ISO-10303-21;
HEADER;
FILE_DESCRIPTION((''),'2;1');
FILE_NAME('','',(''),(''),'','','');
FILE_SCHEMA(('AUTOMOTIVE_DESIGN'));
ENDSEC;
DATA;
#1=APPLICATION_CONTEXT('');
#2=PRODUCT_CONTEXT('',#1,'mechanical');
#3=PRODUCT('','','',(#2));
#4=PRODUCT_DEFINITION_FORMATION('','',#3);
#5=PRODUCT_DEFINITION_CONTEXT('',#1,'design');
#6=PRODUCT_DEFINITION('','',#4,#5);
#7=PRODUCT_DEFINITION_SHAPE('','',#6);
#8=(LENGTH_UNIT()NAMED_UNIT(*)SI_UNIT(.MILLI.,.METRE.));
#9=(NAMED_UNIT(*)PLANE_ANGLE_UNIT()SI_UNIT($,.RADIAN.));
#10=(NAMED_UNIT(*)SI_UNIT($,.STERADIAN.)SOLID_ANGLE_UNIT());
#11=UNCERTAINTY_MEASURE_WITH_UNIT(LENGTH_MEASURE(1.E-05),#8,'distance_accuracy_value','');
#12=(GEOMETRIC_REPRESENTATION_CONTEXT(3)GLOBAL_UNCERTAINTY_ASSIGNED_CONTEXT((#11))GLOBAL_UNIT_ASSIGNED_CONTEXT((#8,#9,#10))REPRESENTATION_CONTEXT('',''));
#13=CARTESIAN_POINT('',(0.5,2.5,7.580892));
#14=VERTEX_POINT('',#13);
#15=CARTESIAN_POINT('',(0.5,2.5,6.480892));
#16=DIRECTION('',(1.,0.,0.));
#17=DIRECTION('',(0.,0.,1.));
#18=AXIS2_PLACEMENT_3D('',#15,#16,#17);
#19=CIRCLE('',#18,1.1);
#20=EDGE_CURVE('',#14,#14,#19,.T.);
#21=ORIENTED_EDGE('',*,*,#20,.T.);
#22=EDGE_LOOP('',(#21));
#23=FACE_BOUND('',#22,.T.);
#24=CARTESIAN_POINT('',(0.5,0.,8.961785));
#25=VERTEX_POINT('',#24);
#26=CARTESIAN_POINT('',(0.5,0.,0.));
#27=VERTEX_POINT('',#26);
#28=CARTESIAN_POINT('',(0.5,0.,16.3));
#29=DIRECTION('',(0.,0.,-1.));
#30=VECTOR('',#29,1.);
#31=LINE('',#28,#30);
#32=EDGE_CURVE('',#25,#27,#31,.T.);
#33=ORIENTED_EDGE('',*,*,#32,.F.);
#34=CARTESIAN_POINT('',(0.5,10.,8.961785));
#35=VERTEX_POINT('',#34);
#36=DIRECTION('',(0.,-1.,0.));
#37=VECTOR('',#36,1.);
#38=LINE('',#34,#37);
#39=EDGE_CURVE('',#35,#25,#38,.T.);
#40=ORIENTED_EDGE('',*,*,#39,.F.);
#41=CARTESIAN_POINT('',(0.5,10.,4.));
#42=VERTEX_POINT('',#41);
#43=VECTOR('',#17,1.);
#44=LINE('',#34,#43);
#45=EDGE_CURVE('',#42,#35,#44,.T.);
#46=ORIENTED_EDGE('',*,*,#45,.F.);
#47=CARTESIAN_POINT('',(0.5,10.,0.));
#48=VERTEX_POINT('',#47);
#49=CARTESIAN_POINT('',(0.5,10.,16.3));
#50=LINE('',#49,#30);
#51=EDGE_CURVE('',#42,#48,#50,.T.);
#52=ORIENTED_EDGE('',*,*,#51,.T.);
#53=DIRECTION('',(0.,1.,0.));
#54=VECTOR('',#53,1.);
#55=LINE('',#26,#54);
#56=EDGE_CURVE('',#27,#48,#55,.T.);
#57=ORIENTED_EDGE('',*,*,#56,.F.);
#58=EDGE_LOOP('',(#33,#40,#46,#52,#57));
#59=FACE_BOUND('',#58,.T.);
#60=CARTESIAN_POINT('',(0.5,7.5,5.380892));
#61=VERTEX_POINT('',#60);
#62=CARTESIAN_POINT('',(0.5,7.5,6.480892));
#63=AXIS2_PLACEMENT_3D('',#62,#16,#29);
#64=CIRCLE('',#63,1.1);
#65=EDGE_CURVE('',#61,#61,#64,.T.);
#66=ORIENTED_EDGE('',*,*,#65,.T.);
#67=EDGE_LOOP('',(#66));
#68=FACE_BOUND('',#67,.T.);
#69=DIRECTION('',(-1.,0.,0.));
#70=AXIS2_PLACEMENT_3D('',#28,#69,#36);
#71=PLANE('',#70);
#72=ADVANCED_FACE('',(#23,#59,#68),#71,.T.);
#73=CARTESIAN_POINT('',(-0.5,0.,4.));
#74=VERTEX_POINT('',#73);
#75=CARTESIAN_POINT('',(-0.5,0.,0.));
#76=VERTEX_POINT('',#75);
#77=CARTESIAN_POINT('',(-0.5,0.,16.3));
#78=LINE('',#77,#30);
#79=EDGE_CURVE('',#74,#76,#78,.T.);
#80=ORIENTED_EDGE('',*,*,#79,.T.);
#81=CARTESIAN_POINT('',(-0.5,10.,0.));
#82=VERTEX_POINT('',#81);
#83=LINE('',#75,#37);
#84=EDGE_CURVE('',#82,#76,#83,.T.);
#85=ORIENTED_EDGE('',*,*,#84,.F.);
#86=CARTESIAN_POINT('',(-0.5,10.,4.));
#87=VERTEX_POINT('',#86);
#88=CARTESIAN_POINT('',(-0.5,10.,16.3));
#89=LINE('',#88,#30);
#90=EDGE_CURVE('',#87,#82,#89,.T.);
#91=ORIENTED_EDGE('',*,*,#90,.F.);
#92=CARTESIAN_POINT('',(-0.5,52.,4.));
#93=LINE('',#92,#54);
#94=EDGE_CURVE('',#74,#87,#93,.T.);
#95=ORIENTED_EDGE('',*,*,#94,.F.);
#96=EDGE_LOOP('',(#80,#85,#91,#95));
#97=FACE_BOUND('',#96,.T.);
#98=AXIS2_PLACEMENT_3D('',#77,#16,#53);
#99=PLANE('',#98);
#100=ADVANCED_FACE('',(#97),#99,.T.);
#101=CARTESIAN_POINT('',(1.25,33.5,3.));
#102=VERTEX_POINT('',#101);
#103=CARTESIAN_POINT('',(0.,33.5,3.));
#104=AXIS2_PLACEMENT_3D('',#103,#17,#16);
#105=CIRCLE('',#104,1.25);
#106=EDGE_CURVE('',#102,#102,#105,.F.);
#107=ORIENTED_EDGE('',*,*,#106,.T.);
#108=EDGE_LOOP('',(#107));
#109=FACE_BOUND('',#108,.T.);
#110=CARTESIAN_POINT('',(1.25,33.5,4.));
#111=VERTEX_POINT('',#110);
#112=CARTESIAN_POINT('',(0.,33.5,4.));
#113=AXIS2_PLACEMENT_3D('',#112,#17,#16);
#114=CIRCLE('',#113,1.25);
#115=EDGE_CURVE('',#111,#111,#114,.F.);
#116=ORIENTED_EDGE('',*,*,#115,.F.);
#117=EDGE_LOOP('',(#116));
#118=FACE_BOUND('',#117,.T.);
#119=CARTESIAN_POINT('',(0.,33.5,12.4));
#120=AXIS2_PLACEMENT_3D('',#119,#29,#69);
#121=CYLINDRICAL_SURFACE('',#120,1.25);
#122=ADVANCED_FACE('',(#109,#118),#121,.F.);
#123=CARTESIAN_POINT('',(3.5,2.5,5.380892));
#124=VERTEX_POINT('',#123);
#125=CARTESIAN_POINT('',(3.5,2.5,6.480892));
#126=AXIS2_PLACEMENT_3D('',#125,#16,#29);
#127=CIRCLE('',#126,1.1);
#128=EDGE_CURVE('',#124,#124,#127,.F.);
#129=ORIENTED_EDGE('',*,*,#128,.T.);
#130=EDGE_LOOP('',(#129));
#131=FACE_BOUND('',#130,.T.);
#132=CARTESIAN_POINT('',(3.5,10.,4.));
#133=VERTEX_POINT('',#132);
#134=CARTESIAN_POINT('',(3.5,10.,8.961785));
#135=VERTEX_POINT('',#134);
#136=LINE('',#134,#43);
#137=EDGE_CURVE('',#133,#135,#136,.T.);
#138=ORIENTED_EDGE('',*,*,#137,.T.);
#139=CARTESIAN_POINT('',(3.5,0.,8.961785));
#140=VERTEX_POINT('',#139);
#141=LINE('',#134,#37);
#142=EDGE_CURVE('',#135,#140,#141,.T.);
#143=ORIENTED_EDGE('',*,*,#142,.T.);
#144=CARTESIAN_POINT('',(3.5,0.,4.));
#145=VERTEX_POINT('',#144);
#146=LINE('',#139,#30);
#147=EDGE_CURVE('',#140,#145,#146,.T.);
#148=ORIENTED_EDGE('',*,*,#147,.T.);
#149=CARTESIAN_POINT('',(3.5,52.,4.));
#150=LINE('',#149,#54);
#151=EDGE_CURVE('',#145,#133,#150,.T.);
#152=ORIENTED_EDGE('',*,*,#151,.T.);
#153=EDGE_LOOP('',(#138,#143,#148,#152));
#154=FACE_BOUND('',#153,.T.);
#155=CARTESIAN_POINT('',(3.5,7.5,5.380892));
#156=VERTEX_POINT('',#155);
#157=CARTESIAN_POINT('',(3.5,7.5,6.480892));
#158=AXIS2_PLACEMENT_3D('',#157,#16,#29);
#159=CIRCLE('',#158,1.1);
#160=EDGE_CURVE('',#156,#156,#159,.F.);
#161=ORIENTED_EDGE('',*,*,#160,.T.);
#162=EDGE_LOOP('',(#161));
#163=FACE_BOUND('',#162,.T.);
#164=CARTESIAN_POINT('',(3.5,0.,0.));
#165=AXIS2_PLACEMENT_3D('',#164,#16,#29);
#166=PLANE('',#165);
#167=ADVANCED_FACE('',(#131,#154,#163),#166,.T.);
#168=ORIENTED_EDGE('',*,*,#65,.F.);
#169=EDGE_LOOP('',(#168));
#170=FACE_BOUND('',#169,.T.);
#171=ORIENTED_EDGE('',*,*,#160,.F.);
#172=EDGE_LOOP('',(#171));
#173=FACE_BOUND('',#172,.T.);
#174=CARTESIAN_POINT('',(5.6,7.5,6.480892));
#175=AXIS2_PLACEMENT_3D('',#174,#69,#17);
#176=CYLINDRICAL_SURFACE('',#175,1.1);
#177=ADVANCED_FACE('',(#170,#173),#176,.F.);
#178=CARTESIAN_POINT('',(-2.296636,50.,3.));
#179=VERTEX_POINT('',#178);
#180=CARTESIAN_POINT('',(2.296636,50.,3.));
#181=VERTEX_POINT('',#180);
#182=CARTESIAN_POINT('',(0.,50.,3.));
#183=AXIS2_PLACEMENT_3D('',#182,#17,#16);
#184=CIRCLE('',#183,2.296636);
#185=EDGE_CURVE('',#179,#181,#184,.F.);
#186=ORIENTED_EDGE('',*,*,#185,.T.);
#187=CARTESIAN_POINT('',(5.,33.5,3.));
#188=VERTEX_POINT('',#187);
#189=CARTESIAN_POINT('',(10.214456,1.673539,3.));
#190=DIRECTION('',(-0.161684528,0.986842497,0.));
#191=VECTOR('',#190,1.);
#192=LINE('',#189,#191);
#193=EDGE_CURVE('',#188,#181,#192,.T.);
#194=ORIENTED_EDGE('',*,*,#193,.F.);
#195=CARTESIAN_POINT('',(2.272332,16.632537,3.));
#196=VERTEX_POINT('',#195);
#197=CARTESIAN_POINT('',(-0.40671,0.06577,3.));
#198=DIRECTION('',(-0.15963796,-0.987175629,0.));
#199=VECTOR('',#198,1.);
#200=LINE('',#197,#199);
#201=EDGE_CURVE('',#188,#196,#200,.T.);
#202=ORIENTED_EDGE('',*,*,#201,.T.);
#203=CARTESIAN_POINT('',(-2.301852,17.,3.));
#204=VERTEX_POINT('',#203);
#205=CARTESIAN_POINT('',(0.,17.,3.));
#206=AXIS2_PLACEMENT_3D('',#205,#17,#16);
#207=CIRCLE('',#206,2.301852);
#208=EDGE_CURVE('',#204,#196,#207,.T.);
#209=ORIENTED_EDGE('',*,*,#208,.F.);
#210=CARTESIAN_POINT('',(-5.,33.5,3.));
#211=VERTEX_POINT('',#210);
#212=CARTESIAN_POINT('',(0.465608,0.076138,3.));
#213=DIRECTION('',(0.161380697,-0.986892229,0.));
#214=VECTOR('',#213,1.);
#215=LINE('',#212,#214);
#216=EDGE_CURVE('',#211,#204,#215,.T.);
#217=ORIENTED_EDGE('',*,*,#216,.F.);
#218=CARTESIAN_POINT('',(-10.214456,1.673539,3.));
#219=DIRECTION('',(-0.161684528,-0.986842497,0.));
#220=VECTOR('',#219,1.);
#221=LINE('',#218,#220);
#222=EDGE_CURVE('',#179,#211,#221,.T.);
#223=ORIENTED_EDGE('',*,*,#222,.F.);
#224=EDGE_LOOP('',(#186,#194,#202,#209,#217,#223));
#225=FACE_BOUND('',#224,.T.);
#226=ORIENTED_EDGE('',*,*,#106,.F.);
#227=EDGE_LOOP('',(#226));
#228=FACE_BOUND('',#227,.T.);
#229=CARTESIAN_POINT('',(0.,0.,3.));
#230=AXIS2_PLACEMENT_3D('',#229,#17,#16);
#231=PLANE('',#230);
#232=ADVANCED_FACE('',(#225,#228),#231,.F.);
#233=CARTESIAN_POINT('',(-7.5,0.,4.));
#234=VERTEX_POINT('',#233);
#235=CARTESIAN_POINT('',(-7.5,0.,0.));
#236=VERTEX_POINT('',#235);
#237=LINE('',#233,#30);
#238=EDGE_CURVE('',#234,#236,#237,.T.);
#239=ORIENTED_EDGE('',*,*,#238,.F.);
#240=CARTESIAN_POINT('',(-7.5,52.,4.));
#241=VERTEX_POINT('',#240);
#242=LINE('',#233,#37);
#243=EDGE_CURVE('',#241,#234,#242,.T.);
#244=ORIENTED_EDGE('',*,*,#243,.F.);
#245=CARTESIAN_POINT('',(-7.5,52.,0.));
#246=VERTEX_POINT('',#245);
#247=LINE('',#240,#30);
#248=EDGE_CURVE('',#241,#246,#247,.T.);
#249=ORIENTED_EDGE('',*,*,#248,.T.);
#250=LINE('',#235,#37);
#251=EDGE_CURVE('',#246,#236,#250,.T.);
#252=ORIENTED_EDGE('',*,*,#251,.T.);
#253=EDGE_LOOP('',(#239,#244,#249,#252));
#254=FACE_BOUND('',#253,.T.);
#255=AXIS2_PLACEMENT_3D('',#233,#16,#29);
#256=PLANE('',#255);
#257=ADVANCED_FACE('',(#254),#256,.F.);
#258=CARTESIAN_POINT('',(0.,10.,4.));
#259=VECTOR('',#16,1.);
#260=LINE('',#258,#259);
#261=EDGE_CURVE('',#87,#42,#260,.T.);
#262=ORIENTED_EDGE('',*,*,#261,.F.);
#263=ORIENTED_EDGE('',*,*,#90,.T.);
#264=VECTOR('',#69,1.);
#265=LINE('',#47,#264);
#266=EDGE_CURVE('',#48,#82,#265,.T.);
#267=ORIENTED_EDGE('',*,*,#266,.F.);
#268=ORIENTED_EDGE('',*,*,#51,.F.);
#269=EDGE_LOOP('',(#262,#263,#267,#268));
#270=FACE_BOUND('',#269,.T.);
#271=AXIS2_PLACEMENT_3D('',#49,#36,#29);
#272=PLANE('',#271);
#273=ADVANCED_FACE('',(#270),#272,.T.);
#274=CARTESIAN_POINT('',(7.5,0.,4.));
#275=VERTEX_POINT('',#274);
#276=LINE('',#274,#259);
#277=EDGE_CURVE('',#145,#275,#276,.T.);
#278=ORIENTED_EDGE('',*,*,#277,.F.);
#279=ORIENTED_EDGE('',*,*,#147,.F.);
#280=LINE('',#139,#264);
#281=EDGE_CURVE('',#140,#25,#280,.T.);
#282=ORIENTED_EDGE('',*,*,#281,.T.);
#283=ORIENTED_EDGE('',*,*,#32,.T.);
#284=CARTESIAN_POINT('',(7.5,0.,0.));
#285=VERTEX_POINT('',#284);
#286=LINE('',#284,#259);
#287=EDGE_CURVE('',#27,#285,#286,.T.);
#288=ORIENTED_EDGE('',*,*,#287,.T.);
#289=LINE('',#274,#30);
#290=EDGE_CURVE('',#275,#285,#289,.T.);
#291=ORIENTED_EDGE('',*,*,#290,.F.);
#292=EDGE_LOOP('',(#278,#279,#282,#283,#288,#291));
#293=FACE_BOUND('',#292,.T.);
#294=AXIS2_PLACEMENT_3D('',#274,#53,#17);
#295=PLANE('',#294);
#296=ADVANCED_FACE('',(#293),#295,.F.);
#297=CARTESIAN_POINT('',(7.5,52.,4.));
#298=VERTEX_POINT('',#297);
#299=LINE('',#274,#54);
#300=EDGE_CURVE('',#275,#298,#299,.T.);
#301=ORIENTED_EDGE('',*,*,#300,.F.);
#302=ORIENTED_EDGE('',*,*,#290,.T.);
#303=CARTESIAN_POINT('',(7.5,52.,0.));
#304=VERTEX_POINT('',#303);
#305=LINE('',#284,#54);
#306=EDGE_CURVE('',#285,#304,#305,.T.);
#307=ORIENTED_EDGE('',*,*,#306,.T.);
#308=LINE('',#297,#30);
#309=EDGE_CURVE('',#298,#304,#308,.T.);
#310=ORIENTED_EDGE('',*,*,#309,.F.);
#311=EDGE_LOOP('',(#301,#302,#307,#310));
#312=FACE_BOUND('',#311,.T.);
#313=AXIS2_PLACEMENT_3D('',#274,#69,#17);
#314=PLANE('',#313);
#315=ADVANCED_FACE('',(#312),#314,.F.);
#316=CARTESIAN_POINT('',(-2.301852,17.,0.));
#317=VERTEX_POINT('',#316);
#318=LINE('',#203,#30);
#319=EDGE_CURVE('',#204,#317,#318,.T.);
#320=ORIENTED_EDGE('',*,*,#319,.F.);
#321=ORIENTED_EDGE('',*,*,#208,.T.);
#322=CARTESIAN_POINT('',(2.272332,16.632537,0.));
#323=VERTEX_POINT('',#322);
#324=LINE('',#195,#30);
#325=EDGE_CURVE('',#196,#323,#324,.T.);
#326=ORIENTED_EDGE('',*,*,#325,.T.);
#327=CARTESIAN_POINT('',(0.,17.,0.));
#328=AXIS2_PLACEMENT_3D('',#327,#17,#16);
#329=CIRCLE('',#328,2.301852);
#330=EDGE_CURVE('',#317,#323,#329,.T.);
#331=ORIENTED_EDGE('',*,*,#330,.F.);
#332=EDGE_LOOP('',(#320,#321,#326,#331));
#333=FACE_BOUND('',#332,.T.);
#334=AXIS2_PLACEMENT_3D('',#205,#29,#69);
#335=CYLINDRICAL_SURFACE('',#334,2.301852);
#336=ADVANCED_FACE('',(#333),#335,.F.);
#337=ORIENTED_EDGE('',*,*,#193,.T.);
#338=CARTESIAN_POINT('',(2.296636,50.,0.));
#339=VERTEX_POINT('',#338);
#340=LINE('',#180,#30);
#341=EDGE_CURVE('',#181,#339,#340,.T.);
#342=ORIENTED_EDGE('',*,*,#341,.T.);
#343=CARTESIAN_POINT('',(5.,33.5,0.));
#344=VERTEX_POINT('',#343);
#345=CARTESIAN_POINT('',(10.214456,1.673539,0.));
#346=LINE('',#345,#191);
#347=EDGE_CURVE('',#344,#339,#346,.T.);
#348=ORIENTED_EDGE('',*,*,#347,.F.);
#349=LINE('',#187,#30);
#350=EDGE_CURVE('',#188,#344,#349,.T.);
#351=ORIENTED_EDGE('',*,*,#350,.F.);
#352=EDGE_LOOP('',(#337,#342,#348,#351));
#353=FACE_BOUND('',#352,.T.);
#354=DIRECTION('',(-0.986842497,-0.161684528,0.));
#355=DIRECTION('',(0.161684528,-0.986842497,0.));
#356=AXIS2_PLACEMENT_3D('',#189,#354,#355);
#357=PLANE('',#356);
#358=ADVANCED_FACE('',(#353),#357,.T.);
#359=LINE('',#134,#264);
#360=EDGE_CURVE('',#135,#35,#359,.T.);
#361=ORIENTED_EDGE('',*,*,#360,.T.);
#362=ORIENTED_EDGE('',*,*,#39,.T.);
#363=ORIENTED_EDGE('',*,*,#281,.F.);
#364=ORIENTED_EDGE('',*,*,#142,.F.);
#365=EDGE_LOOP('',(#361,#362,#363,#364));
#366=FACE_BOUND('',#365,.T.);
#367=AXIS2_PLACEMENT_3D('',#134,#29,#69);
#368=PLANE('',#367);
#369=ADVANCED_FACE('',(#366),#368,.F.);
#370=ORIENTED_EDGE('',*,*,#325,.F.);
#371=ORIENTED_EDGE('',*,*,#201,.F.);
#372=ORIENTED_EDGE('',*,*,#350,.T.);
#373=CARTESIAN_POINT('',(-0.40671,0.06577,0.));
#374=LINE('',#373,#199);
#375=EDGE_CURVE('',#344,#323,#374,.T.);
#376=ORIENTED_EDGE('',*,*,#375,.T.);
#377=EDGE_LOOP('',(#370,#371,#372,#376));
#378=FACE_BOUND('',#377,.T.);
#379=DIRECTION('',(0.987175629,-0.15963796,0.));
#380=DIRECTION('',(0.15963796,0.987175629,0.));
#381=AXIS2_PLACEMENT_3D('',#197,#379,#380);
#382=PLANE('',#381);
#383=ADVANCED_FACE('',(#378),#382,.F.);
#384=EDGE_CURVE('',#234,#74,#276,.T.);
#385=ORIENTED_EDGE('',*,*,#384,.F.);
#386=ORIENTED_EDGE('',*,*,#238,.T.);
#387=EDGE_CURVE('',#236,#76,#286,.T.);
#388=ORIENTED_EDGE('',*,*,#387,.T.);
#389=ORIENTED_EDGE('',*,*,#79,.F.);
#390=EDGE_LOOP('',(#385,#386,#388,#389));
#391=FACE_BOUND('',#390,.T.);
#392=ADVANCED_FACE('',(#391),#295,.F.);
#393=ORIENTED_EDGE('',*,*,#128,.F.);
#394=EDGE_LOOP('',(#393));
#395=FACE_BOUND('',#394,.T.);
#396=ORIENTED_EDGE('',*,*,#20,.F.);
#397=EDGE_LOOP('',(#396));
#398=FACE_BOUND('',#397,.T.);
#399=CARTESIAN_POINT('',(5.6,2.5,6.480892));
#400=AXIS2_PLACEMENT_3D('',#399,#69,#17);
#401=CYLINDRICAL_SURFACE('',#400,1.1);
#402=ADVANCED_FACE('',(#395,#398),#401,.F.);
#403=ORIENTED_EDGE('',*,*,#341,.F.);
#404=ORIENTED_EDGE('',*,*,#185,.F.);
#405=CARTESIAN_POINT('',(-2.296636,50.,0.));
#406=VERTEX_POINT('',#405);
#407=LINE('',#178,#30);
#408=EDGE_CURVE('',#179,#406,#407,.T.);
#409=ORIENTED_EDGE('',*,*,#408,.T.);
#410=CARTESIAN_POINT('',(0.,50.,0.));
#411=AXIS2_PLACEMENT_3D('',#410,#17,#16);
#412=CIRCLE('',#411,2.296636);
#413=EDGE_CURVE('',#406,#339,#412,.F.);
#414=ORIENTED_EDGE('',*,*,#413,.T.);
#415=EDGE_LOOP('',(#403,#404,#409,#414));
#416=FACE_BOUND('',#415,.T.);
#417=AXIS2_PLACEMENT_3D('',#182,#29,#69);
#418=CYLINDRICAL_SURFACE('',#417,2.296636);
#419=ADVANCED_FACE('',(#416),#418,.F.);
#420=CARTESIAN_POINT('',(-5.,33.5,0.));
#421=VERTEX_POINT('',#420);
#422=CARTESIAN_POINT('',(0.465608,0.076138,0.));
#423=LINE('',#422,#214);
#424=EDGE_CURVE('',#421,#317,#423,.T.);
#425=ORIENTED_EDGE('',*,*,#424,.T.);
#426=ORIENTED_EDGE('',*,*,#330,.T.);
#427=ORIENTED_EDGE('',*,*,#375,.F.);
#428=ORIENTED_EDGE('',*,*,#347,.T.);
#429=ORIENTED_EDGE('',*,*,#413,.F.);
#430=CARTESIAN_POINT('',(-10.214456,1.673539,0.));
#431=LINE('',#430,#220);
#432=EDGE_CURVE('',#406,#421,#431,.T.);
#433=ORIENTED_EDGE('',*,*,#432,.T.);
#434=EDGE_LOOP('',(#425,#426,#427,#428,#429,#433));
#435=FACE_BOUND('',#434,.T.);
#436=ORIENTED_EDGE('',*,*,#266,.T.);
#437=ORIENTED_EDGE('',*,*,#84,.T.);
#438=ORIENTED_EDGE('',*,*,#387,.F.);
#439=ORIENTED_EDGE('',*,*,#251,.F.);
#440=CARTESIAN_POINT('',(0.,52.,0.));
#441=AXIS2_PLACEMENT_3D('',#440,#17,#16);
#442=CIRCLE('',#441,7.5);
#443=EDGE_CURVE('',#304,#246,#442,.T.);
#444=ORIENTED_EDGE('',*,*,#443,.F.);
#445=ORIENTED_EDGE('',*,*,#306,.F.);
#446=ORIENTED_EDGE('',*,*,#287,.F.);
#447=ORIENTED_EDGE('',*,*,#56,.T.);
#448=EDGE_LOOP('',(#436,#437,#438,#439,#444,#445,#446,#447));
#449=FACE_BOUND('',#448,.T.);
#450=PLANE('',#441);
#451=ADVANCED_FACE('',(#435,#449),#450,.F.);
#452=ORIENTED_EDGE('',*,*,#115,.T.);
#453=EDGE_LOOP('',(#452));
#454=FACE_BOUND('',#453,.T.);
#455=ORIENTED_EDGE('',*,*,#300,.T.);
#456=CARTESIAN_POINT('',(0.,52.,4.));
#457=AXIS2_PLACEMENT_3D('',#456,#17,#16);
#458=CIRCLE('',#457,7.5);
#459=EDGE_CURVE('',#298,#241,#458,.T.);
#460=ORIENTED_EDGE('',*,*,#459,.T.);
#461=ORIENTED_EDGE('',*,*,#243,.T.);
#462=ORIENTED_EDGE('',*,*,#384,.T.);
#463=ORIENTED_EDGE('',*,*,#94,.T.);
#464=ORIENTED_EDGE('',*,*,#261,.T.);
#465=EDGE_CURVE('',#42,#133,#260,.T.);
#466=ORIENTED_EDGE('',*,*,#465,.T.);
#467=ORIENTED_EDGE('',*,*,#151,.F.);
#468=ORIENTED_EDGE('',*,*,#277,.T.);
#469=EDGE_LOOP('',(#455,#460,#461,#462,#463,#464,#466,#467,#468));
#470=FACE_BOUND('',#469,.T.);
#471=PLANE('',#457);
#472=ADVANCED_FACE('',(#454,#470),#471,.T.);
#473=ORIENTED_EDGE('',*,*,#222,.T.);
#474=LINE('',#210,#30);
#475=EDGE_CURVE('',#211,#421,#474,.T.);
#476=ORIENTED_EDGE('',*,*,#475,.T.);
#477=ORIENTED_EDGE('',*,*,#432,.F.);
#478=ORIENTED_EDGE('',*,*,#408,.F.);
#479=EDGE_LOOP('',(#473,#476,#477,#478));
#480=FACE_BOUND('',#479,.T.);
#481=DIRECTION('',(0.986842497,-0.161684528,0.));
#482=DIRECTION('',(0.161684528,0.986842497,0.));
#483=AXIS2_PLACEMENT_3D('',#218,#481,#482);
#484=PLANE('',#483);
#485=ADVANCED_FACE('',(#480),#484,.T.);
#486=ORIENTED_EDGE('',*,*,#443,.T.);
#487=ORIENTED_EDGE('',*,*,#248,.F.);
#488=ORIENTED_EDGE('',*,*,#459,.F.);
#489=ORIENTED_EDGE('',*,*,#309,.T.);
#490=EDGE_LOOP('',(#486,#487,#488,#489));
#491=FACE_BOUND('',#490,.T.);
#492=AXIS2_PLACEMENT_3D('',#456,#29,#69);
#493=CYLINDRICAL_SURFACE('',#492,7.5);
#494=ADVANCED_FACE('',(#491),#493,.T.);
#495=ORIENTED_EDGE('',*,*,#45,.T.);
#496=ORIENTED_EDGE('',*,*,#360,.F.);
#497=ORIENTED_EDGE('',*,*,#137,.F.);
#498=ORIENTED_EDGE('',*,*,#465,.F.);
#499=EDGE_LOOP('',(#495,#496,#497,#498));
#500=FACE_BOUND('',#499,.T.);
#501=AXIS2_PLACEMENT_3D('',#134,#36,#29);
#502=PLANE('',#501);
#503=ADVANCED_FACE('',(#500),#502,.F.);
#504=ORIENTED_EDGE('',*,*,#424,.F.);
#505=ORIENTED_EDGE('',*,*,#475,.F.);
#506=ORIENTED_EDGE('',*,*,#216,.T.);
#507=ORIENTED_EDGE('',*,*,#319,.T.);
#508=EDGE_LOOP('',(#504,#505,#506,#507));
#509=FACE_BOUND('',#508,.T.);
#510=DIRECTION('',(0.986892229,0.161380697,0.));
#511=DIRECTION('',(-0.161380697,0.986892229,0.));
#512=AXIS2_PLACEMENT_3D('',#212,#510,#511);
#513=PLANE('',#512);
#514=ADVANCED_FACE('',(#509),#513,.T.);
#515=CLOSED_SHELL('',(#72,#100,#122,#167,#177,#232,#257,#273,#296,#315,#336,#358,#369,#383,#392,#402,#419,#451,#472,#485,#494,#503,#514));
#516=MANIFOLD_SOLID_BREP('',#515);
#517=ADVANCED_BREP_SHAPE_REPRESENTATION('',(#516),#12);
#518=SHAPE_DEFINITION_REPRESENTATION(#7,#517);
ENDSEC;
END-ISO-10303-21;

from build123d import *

# Parameters (mm, degrees)
EXTRUDE_1_DEPTH     = 4
CUT_EXTRUDE_1_DEPTH = 3
SKETCH_5_R          = 1.25
CUT_EXTRUDE_2_DEPTH = 12.4
SKETCH_6_W          = 1
SKETCH_6_H          = 10
CUT_EXTRUDE_3_DEPTH = 16.3
SKETCH_9_W          = 5
SKETCH_9_H          = 10
EXTRUDE_4_DEPTH     = 3
SKETCH_10_R         = 1.1
CUT_EXTRUDE_4_DEPTH = 5.1


with BuildPart() as part:
    # 草圖1 → 填料-伸長1 (new body)
    with BuildSketch(Plane.XY):
        with BuildLine():
            Line((7.5, 0), (7.5, 52))
            ThreePointArc((7.5, 52), (0, 59.5), (-7.5, 52))
            Line((-7.5, 52), (-7.5, 0))
            Line((-7.5, 0), (7.5, 0))
        make_face()
    extrude(amount=EXTRUDE_1_DEPTH)

    # 草圖3 → 除料-伸長1 (cut)
    with BuildSketch(Plane.XY):
        with BuildLine():
            ThreePointArc((-2.296635758, 50), (0, 52.296635758), (2.296635758, 50))
            Line((2.296635758, 50), (5, 33.5))
            Line((5, 33.5), (2.272331993, 16.632537074))
            ThreePointArc((2.272331993, 16.632537074), (-0.184323371, 14.705540024), (-2.301851795, 17))
            Line((-2.301851795, 17), (-5, 33.5))
            Line((-5, 33.5), (-2.296635758, 50))
        make_face()
    extrude(amount=CUT_EXTRUDE_1_DEPTH, mode=Mode.SUBTRACT)

    # 草圖5 → 除料-伸長2 (cut)
    with BuildSketch(Plane.XY):
        with Locations((0, 33.5)):
            Circle(SKETCH_5_R)
    extrude(amount=CUT_EXTRUDE_2_DEPTH, mode=Mode.SUBTRACT)

    # 草圖6 → 除料-伸長3 (cut)
    with BuildSketch(Plane.XY):
        with Locations((0, 5)):
            Rectangle(SKETCH_6_W, SKETCH_6_H)
    extrude(amount=CUT_EXTRUDE_3_DEPTH, mode=Mode.SUBTRACT)

    # 草圖9 → 填料-伸長4 (add)
    with BuildSketch(Plane(origin=(0.5, 0, 0), x_dir=(0, 0, -1), z_dir=(1, 0, 0))):
        with Locations((-6.46178466, 5)):
            Rectangle(SKETCH_9_W, SKETCH_9_H)
    extrude(amount=EXTRUDE_4_DEPTH)

    # 草圖10 → 除料-伸長4 (cut)
    with BuildSketch(Plane(origin=(0.5, 0, 0), x_dir=(0, 0, -1), z_dir=(1, 0, 0))):
        with Locations((-6.48089233, 7.5)):
            Circle(SKETCH_10_R)
        with Locations((-6.48089233, 2.5)):
            Circle(SKETCH_10_R)
    extrude(amount=CUT_EXTRUDE_4_DEPTH, mode=Mode.SUBTRACT)


solid = part.part
